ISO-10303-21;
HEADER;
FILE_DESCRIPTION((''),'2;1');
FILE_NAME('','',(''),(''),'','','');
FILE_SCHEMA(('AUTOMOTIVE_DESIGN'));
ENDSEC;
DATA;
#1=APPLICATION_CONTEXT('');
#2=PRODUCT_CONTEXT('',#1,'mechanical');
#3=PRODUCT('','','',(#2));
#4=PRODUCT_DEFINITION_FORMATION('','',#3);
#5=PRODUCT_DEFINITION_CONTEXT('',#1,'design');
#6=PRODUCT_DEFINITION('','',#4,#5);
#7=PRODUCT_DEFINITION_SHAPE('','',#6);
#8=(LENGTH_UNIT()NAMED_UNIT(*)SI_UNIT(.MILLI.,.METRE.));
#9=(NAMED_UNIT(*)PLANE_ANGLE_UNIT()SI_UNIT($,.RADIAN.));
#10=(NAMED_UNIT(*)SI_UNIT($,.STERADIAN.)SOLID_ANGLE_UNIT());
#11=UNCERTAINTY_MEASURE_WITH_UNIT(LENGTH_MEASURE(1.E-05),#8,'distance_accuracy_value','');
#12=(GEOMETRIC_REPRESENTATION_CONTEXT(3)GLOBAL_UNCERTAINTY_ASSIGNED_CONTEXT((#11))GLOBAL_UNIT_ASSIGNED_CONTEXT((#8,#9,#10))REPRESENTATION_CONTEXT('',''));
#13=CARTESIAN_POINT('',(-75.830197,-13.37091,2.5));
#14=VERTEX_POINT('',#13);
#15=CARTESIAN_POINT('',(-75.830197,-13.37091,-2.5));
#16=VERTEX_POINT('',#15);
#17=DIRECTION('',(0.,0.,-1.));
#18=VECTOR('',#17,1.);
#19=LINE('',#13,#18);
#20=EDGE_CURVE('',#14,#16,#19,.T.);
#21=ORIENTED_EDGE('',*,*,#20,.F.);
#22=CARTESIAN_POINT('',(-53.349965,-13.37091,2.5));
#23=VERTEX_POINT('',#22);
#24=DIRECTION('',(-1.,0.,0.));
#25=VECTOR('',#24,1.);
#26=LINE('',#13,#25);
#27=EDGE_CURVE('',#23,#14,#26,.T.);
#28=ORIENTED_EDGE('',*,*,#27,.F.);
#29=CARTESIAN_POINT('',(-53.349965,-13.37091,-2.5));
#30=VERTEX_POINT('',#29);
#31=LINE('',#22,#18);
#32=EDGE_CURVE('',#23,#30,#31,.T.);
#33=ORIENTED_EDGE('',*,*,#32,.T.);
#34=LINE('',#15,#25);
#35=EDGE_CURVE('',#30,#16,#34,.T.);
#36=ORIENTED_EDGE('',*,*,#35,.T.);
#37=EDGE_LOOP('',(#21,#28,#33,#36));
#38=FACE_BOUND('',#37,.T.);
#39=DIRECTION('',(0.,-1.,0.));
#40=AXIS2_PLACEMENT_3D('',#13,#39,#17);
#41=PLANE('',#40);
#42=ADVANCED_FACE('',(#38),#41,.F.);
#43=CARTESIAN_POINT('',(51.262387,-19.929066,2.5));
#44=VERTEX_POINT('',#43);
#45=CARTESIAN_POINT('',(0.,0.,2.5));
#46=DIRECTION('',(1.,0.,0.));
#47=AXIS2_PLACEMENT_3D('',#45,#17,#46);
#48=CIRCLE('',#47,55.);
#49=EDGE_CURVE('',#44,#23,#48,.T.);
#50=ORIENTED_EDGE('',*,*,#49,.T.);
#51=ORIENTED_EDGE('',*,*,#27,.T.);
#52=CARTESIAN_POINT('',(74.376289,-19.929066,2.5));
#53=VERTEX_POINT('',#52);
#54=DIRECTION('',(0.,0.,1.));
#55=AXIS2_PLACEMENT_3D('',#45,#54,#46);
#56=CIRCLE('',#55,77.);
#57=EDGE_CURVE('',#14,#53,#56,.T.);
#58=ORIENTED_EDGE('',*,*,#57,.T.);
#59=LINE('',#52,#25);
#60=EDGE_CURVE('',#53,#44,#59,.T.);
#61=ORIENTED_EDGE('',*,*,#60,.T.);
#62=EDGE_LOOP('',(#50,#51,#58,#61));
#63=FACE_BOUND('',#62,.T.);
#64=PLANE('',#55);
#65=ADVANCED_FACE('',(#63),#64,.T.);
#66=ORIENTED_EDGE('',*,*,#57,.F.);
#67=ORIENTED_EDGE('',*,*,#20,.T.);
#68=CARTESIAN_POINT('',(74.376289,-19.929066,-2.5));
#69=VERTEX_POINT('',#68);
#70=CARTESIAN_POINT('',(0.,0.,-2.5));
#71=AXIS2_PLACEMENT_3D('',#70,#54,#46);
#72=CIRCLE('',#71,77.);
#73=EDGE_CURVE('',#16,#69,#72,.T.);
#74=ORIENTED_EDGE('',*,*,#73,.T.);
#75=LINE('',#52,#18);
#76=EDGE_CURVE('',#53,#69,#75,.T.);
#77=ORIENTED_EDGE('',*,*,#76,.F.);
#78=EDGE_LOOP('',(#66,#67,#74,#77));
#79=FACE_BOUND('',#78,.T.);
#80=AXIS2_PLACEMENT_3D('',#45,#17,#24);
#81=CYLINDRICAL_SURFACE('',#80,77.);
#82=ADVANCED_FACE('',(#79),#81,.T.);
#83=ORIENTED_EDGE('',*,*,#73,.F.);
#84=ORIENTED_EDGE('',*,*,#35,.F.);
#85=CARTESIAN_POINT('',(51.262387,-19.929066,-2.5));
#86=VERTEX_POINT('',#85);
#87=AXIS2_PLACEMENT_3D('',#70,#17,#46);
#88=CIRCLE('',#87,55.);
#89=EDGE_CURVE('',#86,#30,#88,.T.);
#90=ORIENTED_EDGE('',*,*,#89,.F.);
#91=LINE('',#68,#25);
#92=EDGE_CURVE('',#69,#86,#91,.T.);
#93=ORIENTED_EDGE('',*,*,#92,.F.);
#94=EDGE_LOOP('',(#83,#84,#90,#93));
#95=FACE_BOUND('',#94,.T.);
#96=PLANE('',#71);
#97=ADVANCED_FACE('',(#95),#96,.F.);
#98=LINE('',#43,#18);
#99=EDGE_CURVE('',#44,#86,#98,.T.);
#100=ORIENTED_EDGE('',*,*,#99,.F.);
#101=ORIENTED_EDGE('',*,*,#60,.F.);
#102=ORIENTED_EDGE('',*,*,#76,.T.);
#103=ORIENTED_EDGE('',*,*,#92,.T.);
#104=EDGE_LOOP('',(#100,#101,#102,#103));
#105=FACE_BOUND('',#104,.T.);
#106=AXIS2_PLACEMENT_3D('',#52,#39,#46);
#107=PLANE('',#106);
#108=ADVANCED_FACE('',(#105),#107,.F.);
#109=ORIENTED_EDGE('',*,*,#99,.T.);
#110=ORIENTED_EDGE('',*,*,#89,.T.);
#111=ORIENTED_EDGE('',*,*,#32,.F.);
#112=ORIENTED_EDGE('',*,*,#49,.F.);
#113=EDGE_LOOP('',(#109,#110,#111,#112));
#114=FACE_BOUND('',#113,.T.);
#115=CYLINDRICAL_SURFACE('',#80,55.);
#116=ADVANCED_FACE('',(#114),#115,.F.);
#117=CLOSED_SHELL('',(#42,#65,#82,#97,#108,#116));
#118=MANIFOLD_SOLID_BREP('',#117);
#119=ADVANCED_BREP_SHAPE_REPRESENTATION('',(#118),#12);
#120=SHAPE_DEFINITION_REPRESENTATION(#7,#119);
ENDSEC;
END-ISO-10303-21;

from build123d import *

# Parameters (mm, degrees)
BOSS_EXTRUDE1_DEPTH = 2.5


with BuildPart() as part:
    # Sketch1 → Boss-Extrude1 (new, symmetric)
    with BuildSketch(Plane.XY):
        with BuildLine():
            Line((-75.830196982, -13.37090968), (-53.349965083, -13.37090968))
            ThreePointArc((-53.349965083, -13.37090968), (-3.441199036, -54.892241248), (51.262386889, -19.929066473))
            Line((51.262386889, -19.929066473), (74.376288624, -19.929066473))
            ThreePointArc((74.376288624, -19.929066473), (-3.358692827, -76.926713062), (-75.830196982, -13.37090968))
        make_face()
    extrude(amount=BOSS_EXTRUDE1_DEPTH, both=True)


solid = part.part
